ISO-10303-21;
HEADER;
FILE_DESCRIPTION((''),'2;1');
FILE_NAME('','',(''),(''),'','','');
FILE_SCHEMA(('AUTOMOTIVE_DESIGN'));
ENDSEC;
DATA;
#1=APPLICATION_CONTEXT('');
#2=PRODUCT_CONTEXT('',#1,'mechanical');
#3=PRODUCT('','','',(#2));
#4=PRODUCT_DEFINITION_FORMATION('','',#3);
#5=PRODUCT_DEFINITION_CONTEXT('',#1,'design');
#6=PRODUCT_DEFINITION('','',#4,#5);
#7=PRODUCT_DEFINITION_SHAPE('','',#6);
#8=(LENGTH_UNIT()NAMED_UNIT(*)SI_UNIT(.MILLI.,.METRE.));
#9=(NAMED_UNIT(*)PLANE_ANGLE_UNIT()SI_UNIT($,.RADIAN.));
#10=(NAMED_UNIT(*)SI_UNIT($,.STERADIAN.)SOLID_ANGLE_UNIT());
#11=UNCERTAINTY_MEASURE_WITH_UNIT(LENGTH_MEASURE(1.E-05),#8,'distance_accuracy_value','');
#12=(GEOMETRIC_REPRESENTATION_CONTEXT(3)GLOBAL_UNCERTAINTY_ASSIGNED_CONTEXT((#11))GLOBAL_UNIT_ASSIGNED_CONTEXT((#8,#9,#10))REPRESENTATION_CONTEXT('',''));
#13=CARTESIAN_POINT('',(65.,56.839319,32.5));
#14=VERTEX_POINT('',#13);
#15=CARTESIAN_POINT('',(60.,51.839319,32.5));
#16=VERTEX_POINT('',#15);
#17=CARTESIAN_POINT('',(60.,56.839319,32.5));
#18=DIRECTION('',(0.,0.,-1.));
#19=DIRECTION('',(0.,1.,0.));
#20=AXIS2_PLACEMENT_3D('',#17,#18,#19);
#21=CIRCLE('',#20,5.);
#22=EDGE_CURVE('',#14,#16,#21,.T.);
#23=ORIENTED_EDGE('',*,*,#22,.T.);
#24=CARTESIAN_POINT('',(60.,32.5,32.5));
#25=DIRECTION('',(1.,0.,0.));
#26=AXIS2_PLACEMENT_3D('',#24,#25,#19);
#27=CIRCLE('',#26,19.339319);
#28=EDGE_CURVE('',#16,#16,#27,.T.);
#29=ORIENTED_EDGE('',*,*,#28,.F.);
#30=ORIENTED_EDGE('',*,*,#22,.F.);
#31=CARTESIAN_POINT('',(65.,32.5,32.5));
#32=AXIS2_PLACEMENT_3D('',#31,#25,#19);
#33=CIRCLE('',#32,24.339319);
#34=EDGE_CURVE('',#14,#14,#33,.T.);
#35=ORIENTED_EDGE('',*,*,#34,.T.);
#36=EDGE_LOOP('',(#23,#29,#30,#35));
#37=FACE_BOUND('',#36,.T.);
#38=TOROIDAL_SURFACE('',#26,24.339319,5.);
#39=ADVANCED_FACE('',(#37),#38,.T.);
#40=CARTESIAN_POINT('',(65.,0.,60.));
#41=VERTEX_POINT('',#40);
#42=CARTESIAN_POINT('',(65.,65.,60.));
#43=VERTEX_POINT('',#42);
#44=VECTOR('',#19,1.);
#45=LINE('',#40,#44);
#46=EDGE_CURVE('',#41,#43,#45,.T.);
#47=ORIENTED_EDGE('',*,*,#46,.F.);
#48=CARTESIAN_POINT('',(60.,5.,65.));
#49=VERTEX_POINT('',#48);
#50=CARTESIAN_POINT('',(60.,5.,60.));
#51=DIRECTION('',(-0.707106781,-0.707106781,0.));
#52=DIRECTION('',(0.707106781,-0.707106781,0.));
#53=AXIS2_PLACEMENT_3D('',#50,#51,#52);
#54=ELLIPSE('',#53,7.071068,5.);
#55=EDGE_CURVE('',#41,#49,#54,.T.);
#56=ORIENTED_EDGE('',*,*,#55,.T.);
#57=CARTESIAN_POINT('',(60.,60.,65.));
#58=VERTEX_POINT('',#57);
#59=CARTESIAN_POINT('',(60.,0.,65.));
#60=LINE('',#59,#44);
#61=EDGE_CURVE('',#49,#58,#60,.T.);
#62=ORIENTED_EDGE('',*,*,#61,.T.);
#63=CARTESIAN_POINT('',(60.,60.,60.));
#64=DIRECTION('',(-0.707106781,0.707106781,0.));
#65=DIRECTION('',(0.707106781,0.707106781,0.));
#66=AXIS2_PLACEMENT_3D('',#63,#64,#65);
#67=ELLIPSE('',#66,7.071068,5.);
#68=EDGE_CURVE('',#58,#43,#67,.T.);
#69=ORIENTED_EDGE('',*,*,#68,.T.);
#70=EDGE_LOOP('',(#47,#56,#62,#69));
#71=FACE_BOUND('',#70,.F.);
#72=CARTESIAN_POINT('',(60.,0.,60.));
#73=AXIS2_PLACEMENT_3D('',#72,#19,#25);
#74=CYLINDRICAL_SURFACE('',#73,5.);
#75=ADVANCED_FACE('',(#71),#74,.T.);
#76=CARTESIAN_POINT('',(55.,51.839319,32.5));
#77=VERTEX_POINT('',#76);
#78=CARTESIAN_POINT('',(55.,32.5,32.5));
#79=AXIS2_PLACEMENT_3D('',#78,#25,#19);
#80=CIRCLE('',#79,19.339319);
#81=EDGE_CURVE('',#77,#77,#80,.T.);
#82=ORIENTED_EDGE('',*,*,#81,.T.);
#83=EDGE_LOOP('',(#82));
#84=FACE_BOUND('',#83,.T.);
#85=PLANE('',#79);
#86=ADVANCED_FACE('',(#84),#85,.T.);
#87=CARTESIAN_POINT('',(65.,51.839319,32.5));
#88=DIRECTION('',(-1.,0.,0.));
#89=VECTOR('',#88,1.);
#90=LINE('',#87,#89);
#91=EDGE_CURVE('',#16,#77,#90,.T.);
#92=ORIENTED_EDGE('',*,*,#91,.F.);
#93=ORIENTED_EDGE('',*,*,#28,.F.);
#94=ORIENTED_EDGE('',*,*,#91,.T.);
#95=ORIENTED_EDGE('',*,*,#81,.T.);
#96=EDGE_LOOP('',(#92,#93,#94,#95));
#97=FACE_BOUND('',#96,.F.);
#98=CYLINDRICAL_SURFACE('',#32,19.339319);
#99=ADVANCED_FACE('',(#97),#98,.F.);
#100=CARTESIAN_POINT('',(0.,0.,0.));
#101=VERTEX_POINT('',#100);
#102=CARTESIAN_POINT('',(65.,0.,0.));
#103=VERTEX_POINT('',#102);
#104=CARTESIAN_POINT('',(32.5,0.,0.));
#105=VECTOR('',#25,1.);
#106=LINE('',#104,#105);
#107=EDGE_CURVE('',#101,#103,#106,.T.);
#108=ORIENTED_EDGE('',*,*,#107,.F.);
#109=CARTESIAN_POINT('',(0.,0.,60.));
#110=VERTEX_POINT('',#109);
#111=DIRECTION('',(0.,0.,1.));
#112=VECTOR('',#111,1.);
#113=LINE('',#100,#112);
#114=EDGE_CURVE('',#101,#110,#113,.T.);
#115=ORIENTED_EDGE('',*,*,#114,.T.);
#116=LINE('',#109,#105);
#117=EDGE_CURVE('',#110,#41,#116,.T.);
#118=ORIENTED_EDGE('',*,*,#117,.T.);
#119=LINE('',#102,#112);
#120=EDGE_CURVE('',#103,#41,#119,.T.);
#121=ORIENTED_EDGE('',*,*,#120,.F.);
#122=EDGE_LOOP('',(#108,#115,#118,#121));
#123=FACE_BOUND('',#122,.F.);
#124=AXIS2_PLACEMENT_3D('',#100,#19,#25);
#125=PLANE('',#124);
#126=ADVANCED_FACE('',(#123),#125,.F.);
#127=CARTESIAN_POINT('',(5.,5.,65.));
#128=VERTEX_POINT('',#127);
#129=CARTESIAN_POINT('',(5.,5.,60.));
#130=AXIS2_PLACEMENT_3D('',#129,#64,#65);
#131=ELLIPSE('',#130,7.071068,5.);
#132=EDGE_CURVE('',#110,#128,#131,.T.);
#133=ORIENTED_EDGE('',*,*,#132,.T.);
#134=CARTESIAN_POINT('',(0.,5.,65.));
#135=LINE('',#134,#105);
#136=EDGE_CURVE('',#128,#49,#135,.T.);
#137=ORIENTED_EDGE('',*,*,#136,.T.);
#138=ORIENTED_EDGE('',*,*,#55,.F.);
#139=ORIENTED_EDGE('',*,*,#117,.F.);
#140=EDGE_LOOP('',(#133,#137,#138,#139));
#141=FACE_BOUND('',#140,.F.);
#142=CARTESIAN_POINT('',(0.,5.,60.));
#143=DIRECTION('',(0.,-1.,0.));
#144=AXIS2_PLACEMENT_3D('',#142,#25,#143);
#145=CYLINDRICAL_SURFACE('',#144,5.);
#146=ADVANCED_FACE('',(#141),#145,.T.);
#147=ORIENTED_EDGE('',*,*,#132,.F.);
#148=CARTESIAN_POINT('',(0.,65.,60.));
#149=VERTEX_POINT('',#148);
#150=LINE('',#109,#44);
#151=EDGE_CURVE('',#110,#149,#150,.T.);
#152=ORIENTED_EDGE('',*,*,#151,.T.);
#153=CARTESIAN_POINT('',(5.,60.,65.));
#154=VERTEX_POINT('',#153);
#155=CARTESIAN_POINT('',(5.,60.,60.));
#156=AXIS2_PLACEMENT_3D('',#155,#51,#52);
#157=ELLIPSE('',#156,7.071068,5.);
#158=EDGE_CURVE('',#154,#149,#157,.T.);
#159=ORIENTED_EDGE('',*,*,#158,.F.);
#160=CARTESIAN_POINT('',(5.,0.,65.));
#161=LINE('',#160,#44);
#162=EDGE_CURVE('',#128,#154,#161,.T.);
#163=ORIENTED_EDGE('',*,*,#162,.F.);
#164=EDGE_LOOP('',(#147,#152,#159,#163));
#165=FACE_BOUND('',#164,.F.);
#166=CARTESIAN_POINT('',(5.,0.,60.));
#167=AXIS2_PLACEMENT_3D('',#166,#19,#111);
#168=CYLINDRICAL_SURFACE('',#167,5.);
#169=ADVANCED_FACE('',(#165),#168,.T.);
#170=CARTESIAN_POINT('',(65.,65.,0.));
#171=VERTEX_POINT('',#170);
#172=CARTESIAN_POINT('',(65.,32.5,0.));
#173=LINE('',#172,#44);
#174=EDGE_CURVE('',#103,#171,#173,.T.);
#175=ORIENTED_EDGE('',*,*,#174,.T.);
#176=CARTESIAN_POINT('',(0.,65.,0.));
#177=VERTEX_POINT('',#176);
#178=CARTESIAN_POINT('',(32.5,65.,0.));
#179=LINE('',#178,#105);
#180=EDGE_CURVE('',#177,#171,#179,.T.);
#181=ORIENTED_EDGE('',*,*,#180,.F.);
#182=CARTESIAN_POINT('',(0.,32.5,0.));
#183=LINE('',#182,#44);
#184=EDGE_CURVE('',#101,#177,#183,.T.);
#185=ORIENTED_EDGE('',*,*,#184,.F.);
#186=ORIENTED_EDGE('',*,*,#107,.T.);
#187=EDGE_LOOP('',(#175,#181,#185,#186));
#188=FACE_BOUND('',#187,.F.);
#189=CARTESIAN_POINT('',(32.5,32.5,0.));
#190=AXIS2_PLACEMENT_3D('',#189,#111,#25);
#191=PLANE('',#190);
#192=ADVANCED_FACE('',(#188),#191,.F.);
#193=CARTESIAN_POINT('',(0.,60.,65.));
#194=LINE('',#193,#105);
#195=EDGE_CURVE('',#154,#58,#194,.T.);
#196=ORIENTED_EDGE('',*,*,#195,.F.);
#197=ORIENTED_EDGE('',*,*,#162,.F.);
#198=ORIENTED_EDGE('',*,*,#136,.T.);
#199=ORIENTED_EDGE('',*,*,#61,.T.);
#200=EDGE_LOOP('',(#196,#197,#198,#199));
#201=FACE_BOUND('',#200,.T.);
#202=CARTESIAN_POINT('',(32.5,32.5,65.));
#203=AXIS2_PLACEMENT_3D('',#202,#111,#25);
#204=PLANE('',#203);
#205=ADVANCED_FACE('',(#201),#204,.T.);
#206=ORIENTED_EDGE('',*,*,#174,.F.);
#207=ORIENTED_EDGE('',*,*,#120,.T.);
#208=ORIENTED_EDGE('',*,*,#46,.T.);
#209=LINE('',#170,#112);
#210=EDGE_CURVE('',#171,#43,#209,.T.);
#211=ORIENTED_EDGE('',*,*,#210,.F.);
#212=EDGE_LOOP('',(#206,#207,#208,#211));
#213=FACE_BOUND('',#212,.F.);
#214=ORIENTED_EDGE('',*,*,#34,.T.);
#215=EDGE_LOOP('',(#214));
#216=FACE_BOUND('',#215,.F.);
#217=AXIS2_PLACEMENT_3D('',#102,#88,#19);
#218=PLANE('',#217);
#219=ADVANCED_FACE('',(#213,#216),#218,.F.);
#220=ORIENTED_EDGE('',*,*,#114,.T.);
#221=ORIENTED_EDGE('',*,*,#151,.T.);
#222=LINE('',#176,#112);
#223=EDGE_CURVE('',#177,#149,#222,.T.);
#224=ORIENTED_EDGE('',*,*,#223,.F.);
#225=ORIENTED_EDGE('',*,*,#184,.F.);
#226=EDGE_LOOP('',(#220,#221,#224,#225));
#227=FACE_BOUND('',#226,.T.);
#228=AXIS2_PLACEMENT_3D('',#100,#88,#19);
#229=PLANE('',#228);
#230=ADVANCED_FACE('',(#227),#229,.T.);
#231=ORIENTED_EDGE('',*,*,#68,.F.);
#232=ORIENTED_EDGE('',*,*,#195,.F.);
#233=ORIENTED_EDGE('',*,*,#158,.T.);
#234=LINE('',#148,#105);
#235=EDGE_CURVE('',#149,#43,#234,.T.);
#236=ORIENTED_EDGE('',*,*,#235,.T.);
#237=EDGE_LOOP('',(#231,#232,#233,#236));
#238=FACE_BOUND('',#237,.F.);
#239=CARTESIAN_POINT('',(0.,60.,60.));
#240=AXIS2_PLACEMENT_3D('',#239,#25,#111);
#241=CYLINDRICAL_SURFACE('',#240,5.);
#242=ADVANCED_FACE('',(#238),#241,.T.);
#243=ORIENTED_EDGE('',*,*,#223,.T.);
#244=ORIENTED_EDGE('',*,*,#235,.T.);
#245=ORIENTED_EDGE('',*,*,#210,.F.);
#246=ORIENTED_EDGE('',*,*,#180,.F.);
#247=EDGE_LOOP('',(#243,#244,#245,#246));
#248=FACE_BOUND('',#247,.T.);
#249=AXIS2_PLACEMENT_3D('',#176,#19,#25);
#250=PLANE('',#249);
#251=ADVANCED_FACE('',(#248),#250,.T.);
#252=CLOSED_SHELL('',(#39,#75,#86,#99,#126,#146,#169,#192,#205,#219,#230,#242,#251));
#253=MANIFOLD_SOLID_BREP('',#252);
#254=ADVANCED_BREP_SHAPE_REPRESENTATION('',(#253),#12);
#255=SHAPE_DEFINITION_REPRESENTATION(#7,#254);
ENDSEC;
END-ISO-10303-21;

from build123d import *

# Parameters (mm, degrees)
BOX_W        = 65
BOX_H        = 65
BOX_DEPTH    = 65
SKETCH_R     = 19.339319
POCKET_DEPTH = 10
FILLET_R     = 5
FILLET001_R  = 5


with BuildPart() as part:
    # Box → Box (new body)
    with BuildSketch(Plane.XY):
        with Locations((32.5, 32.5)):
            Rectangle(BOX_W, BOX_H)
    extrude(amount=BOX_DEPTH)

    # Sketch → Pocket (cut)
    with BuildSketch(Plane.YZ.offset(65)):
        with Locations((32.5, 32.5)):
            Circle(SKETCH_R)
    extrude(amount=-POCKET_DEPTH, mode=Mode.SUBTRACT)

    # Fillet
    fillet_edges = [part.edges().sort_by_distance(p)[0] for p in [
        (65, 13.160681, 32.5),
    ]]
    fillet(fillet_edges, radius=FILLET_R)

    # Fillet001
    fillet001_edges = [part.edges().sort_by_distance(p)[0] for p in [
        (32.5, 0, 65),
        (32.5, 65, 65),
        (65, 32.5, 65),
        (0, 32.5, 65),
    ]]
    fillet(fillet001_edges, radius=FILLET001_R)


solid = part.part
